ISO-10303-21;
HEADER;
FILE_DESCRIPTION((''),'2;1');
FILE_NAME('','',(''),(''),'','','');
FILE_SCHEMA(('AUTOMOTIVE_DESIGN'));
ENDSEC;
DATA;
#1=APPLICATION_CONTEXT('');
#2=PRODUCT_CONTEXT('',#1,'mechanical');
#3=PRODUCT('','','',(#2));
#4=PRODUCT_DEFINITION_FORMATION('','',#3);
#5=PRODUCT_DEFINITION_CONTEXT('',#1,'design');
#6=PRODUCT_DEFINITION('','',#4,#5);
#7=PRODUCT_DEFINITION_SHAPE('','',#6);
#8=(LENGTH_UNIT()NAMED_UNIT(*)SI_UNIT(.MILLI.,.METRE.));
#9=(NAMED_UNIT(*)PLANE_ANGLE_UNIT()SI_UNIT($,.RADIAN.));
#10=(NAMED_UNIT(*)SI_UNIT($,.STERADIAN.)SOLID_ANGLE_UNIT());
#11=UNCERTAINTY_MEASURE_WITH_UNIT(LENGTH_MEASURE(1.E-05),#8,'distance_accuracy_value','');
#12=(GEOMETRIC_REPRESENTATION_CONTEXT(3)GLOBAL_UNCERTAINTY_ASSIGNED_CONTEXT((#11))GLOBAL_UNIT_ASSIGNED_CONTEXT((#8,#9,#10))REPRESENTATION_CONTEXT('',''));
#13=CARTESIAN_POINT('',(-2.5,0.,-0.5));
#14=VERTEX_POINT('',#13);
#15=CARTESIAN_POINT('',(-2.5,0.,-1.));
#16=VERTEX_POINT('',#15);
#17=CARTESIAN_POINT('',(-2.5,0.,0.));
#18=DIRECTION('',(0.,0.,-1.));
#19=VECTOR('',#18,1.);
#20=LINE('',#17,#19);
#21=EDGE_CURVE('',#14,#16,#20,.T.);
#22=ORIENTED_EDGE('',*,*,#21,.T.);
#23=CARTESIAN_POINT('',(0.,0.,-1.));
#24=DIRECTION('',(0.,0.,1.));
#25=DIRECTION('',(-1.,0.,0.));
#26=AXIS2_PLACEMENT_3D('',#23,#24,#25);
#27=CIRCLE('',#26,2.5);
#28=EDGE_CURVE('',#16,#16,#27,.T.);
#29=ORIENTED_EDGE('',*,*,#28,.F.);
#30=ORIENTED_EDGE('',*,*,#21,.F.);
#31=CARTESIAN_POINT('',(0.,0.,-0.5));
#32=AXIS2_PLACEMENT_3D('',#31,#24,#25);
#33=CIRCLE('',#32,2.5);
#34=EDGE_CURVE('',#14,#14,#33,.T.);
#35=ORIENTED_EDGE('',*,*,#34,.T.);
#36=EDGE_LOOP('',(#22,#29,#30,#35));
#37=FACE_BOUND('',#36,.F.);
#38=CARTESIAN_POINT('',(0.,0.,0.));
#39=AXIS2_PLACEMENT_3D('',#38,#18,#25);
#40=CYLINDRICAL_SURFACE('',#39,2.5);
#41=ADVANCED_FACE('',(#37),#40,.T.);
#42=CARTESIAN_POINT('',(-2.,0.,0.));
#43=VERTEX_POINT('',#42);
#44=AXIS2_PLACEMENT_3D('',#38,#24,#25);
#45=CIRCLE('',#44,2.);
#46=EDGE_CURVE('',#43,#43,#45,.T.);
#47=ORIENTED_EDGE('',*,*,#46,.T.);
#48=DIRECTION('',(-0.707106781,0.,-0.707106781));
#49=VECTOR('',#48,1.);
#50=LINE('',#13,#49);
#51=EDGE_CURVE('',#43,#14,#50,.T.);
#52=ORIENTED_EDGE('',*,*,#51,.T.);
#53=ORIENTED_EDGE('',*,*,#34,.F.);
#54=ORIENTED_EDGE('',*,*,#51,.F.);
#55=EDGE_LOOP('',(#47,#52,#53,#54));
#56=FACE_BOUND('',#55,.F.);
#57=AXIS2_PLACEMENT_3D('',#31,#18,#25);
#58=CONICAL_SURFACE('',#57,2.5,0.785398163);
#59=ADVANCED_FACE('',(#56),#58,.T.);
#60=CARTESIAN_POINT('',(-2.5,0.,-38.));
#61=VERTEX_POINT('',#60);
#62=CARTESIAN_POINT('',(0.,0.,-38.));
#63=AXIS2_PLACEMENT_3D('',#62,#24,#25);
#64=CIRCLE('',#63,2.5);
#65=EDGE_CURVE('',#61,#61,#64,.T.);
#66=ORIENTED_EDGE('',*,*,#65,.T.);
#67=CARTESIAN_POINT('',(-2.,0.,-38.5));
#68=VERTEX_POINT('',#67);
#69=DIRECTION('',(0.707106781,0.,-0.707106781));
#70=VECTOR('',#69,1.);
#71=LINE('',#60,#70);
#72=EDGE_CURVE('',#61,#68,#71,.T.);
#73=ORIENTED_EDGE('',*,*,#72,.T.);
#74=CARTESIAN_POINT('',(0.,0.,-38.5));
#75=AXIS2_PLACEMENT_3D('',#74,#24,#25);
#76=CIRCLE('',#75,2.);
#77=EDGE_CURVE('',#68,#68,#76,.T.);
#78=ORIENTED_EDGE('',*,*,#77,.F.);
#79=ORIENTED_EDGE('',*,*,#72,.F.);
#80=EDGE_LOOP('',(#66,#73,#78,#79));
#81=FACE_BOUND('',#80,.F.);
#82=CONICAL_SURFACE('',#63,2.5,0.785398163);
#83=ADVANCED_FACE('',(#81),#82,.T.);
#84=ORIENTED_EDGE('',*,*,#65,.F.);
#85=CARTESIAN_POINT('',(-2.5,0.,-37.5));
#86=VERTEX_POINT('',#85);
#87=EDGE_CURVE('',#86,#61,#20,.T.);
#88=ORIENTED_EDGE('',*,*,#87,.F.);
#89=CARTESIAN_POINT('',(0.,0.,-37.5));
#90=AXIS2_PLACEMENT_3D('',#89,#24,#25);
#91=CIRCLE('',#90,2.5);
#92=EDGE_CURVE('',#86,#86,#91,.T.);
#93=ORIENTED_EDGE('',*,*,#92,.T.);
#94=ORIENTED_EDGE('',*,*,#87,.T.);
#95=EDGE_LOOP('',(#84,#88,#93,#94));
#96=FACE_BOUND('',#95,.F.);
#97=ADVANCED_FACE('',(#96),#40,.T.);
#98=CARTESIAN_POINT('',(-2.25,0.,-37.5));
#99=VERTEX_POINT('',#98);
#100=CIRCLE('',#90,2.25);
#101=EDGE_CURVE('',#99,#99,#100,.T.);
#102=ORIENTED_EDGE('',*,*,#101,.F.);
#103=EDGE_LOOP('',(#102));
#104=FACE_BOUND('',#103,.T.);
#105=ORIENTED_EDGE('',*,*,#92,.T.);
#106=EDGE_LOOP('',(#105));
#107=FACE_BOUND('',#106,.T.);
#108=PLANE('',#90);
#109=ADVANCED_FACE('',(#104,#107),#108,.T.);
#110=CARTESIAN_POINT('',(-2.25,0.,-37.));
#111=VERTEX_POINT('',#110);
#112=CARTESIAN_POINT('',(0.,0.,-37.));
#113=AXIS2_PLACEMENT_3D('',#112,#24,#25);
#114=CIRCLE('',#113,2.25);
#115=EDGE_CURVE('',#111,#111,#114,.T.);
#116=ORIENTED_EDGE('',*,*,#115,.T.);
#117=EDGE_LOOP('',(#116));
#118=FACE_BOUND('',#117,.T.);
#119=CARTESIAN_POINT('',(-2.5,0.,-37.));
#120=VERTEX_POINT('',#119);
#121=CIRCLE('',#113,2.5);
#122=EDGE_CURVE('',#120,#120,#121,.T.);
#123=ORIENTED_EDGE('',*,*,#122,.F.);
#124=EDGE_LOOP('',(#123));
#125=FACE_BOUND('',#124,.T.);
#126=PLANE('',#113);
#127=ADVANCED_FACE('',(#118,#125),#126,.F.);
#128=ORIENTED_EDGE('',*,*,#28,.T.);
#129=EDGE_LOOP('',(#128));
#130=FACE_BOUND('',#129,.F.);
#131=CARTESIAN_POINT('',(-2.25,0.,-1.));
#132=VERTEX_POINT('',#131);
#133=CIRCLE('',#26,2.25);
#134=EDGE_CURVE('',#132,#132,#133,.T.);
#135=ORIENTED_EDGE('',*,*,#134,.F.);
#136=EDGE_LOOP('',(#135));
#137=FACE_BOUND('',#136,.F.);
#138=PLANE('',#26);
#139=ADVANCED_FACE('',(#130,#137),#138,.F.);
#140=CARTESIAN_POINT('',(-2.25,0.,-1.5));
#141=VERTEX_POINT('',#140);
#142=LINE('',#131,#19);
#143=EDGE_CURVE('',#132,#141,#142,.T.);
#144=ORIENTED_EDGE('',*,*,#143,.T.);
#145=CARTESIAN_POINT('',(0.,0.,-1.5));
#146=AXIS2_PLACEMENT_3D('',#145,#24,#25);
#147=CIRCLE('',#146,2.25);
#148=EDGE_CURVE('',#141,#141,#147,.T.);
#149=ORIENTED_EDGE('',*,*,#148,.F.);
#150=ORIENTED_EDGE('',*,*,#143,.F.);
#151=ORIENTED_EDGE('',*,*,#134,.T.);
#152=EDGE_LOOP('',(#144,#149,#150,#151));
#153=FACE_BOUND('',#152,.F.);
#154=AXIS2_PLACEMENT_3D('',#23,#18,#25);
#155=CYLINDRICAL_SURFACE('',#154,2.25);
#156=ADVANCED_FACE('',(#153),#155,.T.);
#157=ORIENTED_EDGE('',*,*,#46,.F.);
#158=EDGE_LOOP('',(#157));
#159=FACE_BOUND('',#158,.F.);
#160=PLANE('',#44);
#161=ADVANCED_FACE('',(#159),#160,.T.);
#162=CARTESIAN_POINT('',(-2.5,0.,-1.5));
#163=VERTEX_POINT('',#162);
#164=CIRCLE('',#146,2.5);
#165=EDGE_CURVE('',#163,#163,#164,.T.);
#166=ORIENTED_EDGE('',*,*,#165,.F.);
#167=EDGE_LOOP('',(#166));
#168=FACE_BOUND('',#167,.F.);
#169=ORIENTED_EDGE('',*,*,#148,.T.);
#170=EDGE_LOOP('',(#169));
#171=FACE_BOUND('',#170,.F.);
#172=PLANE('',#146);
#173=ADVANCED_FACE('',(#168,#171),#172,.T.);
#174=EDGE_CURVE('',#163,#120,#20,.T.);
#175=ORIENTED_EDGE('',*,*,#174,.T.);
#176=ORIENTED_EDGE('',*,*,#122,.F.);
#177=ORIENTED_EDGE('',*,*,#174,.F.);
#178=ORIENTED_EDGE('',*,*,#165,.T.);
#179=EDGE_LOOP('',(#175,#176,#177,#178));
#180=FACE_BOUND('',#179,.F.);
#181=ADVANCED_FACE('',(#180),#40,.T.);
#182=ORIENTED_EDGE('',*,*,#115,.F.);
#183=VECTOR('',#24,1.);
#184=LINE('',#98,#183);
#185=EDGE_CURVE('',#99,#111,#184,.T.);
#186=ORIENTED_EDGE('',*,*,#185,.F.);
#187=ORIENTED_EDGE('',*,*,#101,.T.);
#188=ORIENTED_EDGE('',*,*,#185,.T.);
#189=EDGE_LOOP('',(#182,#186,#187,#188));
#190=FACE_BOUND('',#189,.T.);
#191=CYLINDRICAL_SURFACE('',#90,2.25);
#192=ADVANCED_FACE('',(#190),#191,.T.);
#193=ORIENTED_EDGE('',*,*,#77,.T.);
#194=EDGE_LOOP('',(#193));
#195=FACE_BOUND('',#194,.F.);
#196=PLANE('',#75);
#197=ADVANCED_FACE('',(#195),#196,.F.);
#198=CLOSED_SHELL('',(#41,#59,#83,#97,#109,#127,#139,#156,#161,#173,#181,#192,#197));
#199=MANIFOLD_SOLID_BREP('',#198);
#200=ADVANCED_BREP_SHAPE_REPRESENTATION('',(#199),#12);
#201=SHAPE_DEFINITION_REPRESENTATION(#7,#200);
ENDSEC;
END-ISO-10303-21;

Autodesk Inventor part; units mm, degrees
ref_plane "YZ Plane" through (0, 0, 0) normal (1, 0, 0) x (0, 1, 0)
ref_plane "XZ Plane" through (0, 0, 0) normal (0, 1, 0) x (-1, 0, 0)
ref_plane "XY Plane" through (0, 0, 0) normal (0, 0, 1) x (1, 0, 0)
sketch "Sketch1" plane through (0, 0, 0) normal (0, 1, 0) x (-1, 0, 0)
  line L0 (0, 0) -> (2.5, 0)
  line L1 (2.5, 0) -> (2.5, -38.5)
  line L2 (2.5, -38.5) -> (0, -38.5)
  line L3 (0, -38.5) -> (0, 0)
  line L4 (2.5, -37.5) -> (2.25, -37.5)
  line L5 (2.25, -37.5) -> (2.25, -37)
  line L6 (2.25, -37) -> (2.5, -37)
  line L7 (2.5, -37) -> (2.5, -37.5)
  line L8 (2.5, -19.25) -> (0, -19.25) construction
  line L9 (2.5, -1) -> (2.25, -1)
  line L10 (2.25, -1) -> (2.25, -1.5)
  line L11 (2.25, -1.5) -> (2.5, -1.5)
  line L12 (2.5, -1.5) -> (2.5, -1)
  dimension "d0" = 2.5
  dimension "d1" = 38.5
  dimension "d2" = 0.25
  dimension "d3" = 0.5
  dimension "d4" = 1
revolve "Revolution1" add sketch "Sketch1" angle 360 about axis through (0, 0, -38.5) along (0, 0, 1) contours L0 L1 L9 L10 L11 L6 L5 L4 L2 L3
chamfer "Chamfer1" distance 0.5 angle 45 2 edges at (2.5, 0, 0) (2.5, 0, -38.5)
properties part number "SHAFT" material "Stainless Steel"
